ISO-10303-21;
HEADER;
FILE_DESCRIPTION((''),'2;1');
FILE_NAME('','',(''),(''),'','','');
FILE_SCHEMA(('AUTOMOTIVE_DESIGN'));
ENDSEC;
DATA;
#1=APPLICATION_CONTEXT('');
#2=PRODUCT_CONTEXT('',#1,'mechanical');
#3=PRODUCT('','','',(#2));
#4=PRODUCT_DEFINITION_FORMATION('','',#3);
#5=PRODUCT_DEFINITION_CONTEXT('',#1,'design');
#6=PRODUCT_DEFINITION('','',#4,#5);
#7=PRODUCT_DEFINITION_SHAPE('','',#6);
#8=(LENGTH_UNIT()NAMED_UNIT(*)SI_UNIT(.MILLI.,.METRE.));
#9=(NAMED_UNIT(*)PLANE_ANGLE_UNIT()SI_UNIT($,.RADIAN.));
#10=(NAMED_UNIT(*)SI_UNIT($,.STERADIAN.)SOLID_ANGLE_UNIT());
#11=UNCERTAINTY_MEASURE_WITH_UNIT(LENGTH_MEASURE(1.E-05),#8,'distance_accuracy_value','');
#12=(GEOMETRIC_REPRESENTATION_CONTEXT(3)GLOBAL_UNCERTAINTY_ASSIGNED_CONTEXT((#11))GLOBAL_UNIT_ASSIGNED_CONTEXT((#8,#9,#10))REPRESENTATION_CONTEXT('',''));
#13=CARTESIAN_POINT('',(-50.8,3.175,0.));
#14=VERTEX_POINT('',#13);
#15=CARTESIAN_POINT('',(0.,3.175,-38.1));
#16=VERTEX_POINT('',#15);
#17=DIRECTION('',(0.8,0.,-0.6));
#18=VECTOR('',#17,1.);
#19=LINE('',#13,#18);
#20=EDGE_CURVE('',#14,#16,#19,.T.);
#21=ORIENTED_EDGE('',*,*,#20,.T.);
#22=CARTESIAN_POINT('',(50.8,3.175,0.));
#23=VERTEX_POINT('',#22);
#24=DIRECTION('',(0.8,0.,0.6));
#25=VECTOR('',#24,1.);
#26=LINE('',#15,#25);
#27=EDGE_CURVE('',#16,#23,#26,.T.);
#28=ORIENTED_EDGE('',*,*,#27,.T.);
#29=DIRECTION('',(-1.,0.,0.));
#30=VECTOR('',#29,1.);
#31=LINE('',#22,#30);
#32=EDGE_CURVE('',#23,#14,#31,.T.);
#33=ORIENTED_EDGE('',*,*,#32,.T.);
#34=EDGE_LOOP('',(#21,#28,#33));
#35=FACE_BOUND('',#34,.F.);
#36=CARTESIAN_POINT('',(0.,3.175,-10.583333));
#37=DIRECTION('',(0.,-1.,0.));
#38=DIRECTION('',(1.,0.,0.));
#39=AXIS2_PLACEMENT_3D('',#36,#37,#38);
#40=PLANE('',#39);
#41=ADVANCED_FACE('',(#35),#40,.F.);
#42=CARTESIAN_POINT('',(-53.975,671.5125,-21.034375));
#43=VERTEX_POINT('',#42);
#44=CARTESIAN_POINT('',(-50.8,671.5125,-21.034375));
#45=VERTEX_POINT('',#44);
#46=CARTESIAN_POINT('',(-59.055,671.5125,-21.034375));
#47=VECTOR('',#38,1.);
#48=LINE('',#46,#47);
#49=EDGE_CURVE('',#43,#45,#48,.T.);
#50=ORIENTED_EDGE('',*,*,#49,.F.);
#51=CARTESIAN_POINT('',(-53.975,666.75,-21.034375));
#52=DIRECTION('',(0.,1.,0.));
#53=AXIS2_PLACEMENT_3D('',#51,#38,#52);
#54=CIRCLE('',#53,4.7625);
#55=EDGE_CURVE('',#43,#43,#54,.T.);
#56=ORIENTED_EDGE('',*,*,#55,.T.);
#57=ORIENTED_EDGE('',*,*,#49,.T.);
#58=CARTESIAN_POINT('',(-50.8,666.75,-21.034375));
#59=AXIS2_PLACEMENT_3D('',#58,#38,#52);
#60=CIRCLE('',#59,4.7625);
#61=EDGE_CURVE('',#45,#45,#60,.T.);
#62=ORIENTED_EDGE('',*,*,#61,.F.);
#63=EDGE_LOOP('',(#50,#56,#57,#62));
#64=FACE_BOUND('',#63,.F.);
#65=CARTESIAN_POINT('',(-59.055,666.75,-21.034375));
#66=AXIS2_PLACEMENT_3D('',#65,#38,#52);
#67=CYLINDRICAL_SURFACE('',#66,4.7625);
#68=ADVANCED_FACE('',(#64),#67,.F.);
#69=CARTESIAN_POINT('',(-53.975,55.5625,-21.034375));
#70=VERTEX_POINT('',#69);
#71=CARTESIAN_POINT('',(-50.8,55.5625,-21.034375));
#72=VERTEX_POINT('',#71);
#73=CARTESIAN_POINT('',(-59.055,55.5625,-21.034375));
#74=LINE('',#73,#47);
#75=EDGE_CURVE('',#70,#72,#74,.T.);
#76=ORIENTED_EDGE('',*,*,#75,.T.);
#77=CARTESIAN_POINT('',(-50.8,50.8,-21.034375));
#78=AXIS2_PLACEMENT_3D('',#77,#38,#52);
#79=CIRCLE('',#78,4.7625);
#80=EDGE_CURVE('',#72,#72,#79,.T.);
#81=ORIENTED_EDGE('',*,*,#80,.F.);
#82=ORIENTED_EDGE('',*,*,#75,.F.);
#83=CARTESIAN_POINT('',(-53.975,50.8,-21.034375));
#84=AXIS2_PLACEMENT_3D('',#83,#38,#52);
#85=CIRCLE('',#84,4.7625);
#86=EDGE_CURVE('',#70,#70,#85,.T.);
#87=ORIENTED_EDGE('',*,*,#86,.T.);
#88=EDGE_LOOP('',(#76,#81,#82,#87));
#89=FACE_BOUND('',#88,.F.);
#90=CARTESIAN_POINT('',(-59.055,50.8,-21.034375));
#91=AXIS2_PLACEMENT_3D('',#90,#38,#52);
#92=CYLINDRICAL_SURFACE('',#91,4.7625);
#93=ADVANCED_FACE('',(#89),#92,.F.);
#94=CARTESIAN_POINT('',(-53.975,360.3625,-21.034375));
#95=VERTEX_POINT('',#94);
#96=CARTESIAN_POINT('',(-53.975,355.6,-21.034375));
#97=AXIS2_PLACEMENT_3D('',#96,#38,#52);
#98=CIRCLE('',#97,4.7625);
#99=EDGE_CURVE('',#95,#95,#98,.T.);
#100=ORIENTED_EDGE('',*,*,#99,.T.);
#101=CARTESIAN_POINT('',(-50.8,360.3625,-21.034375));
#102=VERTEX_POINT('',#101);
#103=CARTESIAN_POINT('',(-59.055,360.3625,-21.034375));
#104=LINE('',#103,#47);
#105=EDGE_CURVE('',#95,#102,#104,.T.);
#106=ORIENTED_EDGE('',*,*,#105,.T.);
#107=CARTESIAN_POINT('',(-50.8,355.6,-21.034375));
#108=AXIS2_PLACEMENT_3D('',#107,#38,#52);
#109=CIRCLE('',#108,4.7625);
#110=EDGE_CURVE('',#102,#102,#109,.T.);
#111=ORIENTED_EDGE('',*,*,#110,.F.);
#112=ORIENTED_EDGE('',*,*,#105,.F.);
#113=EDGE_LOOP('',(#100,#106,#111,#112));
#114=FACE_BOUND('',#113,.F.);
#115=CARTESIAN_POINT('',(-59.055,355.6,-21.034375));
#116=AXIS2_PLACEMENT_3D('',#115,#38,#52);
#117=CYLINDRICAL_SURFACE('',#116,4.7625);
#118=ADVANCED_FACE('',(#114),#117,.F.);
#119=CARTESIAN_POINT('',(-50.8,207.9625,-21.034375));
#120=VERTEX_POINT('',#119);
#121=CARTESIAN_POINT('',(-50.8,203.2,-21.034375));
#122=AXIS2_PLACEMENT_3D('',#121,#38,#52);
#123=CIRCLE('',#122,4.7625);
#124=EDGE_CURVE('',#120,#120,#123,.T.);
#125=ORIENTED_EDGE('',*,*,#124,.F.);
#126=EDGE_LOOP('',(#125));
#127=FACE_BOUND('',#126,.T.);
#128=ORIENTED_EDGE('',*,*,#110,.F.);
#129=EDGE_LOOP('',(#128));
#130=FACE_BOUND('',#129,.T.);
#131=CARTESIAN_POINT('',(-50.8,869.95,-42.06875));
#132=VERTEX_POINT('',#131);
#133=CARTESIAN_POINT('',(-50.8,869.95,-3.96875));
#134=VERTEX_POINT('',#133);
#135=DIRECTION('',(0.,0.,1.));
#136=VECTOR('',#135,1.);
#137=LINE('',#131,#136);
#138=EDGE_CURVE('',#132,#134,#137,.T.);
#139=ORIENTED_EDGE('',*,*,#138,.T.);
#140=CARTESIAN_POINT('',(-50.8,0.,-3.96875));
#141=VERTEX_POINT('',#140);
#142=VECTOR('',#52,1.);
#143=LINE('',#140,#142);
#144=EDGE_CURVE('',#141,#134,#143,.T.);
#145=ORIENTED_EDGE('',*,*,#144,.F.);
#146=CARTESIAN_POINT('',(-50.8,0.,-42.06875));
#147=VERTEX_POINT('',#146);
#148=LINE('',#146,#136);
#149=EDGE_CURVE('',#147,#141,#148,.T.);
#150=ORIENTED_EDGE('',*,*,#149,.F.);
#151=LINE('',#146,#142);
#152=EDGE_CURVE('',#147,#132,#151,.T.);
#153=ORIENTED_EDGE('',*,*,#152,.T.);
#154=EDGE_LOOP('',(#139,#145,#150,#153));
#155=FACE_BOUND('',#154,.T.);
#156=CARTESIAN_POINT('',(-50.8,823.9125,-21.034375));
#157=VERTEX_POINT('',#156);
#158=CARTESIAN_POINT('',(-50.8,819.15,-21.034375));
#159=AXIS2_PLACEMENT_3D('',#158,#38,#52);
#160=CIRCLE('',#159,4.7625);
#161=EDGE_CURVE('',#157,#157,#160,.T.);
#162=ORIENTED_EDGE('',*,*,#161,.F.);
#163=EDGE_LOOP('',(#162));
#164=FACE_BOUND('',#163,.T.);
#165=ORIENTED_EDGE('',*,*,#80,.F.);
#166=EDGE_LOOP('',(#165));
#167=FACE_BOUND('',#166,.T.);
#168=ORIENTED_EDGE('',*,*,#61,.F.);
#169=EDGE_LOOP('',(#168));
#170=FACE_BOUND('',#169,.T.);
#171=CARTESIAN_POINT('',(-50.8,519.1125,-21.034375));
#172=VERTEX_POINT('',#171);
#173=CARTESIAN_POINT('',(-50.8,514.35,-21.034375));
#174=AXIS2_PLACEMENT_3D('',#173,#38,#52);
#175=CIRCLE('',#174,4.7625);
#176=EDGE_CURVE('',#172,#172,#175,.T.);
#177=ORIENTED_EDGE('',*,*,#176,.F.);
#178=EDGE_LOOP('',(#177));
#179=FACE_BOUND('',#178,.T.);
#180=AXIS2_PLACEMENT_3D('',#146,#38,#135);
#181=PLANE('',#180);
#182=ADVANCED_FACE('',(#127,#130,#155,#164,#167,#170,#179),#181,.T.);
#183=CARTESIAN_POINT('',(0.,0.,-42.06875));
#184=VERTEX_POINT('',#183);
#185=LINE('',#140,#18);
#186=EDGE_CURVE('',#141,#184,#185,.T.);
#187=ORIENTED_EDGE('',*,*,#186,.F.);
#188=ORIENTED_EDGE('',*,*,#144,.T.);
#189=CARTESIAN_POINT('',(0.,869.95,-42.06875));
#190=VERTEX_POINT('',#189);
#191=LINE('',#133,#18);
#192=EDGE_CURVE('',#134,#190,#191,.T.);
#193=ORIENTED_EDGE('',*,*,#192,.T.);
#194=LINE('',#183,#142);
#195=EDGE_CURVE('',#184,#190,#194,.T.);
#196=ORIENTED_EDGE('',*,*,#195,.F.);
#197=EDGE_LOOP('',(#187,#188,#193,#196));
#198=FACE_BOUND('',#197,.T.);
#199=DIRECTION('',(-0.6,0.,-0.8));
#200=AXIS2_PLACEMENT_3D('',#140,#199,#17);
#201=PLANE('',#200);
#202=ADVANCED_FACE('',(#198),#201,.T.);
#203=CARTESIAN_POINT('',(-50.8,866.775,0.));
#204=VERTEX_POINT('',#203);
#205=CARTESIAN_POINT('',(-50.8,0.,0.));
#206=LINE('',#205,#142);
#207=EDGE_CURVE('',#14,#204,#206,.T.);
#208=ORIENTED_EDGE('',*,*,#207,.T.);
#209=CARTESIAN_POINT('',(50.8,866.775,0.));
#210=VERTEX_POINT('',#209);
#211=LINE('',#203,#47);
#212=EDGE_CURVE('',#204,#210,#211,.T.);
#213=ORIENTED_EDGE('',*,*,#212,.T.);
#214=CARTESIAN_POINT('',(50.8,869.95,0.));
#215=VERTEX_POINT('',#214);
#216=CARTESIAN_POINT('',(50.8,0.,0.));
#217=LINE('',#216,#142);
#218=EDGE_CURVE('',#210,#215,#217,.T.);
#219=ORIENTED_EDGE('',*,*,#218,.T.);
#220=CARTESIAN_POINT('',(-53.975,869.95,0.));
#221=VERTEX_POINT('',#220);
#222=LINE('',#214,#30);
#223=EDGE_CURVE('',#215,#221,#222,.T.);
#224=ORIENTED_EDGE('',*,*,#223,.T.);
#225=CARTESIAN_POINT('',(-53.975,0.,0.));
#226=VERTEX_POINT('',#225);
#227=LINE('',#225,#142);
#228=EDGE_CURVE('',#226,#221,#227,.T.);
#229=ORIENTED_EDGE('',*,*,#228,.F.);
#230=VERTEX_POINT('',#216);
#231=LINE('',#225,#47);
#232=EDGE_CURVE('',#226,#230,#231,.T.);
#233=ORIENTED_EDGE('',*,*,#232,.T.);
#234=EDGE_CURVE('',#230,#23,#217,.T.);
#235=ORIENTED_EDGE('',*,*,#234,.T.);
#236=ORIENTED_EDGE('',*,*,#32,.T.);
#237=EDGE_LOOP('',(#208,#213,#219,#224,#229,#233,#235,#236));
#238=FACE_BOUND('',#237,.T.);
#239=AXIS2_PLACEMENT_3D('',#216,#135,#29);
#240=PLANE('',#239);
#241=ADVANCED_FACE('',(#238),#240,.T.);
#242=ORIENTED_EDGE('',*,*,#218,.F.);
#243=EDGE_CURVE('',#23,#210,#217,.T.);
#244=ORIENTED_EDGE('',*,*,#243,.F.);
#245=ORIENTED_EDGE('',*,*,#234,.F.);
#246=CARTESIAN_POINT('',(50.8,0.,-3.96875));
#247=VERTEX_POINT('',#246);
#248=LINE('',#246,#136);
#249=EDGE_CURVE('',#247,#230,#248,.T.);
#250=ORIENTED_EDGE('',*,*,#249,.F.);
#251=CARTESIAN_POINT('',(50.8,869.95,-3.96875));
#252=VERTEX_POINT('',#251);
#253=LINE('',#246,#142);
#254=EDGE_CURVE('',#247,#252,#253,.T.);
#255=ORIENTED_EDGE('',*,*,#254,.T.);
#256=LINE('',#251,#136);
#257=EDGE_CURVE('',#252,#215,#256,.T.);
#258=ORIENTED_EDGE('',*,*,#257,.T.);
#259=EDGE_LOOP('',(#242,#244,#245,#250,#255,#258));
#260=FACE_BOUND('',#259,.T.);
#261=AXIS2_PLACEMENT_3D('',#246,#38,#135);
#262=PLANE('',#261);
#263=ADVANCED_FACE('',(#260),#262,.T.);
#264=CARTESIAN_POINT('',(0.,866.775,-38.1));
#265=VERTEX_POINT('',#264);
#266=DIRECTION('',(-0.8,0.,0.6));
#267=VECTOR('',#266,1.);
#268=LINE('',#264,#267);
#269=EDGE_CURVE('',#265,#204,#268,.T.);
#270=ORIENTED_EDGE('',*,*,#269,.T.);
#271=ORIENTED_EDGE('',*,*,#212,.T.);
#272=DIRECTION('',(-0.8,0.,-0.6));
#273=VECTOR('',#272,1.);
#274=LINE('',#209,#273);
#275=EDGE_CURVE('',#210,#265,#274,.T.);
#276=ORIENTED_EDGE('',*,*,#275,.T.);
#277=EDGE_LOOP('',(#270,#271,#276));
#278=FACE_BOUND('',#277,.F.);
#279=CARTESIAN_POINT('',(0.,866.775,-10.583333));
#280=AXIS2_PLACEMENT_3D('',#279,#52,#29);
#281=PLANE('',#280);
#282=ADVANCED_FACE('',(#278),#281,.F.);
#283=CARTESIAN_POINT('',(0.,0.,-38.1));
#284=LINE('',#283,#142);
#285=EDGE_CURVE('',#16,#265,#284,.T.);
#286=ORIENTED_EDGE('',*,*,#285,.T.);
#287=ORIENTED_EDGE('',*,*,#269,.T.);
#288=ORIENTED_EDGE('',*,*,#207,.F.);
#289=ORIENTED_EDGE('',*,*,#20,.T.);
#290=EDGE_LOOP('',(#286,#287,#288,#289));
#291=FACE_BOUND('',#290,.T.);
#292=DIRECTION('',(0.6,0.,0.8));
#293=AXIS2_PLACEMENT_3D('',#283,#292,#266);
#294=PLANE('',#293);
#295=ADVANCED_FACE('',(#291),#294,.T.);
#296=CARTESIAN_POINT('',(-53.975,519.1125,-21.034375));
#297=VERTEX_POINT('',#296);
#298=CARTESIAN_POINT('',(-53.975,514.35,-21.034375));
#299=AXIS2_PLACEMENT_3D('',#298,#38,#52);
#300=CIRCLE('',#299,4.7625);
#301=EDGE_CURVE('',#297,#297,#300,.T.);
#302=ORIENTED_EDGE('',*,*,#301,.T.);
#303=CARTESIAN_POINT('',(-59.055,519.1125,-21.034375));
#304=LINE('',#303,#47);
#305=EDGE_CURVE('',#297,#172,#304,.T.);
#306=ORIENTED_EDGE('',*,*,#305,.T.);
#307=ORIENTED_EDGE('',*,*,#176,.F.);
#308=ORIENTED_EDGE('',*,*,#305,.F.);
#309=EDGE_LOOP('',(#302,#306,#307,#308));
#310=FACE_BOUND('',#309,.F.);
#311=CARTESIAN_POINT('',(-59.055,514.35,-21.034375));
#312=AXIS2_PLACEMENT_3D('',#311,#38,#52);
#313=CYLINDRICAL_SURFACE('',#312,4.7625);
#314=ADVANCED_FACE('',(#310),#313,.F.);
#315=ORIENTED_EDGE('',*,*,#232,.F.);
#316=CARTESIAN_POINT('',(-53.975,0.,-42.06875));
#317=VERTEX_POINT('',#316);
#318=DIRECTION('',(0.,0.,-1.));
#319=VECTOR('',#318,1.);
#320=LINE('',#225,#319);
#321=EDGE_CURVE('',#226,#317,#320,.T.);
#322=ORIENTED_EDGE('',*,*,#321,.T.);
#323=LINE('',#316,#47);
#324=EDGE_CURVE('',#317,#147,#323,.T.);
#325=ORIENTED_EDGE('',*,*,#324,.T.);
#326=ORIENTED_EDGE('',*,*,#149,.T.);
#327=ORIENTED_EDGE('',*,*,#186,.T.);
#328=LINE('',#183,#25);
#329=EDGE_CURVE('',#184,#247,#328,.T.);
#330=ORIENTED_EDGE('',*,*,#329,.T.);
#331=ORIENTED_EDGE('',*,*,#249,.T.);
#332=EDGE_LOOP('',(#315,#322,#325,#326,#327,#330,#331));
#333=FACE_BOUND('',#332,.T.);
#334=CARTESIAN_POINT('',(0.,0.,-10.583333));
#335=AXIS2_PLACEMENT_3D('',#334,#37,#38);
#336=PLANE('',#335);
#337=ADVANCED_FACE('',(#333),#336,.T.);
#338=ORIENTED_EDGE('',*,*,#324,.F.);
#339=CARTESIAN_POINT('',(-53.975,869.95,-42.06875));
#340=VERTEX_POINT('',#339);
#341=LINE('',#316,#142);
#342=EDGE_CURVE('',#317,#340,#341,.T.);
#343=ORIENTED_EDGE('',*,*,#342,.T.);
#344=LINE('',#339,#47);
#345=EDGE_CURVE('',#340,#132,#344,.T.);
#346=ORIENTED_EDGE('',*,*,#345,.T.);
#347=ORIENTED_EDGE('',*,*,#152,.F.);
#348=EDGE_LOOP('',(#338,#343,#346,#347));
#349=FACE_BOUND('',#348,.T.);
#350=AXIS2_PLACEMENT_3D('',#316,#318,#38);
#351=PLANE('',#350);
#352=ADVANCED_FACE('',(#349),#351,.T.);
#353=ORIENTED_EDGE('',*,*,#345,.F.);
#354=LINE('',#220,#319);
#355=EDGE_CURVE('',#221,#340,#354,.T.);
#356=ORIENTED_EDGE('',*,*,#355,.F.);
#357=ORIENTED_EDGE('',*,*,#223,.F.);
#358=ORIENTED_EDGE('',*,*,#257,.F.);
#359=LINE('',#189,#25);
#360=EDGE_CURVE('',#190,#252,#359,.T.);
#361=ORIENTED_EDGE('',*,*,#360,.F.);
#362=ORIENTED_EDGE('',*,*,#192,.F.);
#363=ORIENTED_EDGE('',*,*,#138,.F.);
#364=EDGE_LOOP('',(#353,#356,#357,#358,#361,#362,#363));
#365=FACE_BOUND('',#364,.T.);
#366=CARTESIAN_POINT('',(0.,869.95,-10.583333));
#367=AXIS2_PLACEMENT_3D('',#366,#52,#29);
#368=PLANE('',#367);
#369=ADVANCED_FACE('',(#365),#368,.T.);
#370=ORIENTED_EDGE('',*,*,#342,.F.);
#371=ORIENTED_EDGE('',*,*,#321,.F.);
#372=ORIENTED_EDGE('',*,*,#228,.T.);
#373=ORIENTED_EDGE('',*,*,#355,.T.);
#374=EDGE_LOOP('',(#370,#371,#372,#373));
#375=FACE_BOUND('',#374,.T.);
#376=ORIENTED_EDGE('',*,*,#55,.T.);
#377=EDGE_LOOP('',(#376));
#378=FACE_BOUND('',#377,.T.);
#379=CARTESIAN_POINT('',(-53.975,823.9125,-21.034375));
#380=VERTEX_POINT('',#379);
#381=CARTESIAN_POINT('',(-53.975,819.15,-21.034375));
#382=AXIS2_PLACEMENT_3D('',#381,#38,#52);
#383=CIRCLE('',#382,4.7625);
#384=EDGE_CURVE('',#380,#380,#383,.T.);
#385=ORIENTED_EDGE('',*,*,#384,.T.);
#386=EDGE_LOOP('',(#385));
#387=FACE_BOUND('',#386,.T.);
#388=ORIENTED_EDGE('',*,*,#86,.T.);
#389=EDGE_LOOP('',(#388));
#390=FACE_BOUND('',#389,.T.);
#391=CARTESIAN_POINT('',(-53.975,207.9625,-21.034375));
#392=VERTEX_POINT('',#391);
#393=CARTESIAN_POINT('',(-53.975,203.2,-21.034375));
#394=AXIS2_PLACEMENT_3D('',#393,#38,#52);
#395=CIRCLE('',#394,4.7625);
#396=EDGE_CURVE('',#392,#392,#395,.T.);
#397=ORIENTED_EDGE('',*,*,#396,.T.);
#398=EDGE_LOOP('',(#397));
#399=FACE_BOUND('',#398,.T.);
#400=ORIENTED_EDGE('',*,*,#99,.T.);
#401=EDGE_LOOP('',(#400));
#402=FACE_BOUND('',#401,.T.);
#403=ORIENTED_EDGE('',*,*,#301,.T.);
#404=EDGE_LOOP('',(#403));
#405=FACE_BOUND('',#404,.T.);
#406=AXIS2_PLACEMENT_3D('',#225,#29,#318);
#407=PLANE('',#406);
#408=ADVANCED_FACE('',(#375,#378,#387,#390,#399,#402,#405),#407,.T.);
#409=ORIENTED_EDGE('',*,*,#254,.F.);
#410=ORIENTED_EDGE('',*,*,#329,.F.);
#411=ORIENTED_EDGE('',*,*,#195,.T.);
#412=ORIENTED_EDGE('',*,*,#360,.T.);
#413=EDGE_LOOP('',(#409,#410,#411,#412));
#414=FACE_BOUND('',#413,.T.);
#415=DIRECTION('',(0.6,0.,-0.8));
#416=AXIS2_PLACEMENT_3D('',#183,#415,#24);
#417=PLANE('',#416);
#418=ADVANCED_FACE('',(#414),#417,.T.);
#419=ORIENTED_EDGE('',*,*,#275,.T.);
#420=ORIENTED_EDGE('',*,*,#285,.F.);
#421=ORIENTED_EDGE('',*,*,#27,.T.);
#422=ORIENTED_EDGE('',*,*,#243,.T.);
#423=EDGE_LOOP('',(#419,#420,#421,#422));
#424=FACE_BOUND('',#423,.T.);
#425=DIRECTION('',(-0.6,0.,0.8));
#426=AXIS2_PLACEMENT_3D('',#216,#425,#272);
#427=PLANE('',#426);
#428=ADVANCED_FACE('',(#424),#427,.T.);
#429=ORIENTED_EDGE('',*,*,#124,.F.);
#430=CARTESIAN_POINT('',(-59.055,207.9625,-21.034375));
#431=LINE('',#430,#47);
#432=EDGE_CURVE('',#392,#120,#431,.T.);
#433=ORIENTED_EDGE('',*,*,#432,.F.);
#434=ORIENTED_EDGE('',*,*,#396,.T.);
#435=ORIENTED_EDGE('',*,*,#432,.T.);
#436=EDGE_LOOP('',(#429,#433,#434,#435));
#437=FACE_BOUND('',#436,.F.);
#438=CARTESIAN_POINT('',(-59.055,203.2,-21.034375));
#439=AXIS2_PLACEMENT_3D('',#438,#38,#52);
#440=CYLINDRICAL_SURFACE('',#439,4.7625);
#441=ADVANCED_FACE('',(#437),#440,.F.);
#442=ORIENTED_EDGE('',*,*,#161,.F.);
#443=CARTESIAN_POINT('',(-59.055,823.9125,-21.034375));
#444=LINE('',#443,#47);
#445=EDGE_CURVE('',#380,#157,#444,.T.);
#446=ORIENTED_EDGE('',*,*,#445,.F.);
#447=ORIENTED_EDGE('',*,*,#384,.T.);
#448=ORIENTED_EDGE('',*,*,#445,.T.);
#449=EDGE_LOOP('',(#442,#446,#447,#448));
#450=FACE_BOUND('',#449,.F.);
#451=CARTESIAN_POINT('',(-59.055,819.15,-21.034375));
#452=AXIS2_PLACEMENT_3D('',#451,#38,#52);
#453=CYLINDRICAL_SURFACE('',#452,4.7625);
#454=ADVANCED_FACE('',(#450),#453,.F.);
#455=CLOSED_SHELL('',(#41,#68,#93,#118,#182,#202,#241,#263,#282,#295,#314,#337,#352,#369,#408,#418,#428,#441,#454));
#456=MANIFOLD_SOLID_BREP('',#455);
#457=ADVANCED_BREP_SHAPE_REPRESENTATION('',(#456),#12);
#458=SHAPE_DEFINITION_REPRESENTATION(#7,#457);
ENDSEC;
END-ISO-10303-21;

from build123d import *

# Parameters (mm, degrees)
F1_DEPTH = 869.95
F3_DEPTH = 3.175
F5_DEPTH = 3.175
F7_D     = 9.525
F7_DEPTH = 5.08


with BuildPart() as f1:
    # F0 (on Front) → F1 (new body)
    with BuildSketch(Plane.XZ):
        Polygon((0, -38.1), (-50.8, 0), (-50.8, -3.96875), (0, -42.06875), (50.8, -3.96875), (50.8, 0), align=None)
        Polygon((-50.8, -3.96875), (-50.8, 0), (-53.975, 0), (-53.975, -42.06875), (-50.8, -42.06875), align=None)
    extrude(amount=-F1_DEPTH)

    # F2 (on face) → F3 (join)
    with BuildSketch(Plane(origin=(0, 869.95, 0), x_dir=(-1, 0, 0), z_dir=(0, 1, 0))):
        Polygon((50.8, 0), (-50.8, 0), (0, -38.1), align=None)
    extrude(amount=-F3_DEPTH)

    # F4 (on face) → F5 (join)
    with BuildSketch(Plane.XZ):
        Polygon((50.8, 0), (-50.8, 0), (0, -38.1), align=None)
    extrude(amount=-F5_DEPTH)

    # F7
    with Locations(Plane(origin=(-53.975, 0, 0), x_dir=(0, -1, 0), z_dir=(-1, 0, 0))):
        with Locations((-819.15, -21.034375), (-666.75, -21.034375), (-514.35, -21.034375), (-355.6, -21.034375), (-203.2, -21.034375), (-50.8, -21.034375)):
            Hole(F7_D / 2, depth=F7_DEPTH)


solid = f1.part
